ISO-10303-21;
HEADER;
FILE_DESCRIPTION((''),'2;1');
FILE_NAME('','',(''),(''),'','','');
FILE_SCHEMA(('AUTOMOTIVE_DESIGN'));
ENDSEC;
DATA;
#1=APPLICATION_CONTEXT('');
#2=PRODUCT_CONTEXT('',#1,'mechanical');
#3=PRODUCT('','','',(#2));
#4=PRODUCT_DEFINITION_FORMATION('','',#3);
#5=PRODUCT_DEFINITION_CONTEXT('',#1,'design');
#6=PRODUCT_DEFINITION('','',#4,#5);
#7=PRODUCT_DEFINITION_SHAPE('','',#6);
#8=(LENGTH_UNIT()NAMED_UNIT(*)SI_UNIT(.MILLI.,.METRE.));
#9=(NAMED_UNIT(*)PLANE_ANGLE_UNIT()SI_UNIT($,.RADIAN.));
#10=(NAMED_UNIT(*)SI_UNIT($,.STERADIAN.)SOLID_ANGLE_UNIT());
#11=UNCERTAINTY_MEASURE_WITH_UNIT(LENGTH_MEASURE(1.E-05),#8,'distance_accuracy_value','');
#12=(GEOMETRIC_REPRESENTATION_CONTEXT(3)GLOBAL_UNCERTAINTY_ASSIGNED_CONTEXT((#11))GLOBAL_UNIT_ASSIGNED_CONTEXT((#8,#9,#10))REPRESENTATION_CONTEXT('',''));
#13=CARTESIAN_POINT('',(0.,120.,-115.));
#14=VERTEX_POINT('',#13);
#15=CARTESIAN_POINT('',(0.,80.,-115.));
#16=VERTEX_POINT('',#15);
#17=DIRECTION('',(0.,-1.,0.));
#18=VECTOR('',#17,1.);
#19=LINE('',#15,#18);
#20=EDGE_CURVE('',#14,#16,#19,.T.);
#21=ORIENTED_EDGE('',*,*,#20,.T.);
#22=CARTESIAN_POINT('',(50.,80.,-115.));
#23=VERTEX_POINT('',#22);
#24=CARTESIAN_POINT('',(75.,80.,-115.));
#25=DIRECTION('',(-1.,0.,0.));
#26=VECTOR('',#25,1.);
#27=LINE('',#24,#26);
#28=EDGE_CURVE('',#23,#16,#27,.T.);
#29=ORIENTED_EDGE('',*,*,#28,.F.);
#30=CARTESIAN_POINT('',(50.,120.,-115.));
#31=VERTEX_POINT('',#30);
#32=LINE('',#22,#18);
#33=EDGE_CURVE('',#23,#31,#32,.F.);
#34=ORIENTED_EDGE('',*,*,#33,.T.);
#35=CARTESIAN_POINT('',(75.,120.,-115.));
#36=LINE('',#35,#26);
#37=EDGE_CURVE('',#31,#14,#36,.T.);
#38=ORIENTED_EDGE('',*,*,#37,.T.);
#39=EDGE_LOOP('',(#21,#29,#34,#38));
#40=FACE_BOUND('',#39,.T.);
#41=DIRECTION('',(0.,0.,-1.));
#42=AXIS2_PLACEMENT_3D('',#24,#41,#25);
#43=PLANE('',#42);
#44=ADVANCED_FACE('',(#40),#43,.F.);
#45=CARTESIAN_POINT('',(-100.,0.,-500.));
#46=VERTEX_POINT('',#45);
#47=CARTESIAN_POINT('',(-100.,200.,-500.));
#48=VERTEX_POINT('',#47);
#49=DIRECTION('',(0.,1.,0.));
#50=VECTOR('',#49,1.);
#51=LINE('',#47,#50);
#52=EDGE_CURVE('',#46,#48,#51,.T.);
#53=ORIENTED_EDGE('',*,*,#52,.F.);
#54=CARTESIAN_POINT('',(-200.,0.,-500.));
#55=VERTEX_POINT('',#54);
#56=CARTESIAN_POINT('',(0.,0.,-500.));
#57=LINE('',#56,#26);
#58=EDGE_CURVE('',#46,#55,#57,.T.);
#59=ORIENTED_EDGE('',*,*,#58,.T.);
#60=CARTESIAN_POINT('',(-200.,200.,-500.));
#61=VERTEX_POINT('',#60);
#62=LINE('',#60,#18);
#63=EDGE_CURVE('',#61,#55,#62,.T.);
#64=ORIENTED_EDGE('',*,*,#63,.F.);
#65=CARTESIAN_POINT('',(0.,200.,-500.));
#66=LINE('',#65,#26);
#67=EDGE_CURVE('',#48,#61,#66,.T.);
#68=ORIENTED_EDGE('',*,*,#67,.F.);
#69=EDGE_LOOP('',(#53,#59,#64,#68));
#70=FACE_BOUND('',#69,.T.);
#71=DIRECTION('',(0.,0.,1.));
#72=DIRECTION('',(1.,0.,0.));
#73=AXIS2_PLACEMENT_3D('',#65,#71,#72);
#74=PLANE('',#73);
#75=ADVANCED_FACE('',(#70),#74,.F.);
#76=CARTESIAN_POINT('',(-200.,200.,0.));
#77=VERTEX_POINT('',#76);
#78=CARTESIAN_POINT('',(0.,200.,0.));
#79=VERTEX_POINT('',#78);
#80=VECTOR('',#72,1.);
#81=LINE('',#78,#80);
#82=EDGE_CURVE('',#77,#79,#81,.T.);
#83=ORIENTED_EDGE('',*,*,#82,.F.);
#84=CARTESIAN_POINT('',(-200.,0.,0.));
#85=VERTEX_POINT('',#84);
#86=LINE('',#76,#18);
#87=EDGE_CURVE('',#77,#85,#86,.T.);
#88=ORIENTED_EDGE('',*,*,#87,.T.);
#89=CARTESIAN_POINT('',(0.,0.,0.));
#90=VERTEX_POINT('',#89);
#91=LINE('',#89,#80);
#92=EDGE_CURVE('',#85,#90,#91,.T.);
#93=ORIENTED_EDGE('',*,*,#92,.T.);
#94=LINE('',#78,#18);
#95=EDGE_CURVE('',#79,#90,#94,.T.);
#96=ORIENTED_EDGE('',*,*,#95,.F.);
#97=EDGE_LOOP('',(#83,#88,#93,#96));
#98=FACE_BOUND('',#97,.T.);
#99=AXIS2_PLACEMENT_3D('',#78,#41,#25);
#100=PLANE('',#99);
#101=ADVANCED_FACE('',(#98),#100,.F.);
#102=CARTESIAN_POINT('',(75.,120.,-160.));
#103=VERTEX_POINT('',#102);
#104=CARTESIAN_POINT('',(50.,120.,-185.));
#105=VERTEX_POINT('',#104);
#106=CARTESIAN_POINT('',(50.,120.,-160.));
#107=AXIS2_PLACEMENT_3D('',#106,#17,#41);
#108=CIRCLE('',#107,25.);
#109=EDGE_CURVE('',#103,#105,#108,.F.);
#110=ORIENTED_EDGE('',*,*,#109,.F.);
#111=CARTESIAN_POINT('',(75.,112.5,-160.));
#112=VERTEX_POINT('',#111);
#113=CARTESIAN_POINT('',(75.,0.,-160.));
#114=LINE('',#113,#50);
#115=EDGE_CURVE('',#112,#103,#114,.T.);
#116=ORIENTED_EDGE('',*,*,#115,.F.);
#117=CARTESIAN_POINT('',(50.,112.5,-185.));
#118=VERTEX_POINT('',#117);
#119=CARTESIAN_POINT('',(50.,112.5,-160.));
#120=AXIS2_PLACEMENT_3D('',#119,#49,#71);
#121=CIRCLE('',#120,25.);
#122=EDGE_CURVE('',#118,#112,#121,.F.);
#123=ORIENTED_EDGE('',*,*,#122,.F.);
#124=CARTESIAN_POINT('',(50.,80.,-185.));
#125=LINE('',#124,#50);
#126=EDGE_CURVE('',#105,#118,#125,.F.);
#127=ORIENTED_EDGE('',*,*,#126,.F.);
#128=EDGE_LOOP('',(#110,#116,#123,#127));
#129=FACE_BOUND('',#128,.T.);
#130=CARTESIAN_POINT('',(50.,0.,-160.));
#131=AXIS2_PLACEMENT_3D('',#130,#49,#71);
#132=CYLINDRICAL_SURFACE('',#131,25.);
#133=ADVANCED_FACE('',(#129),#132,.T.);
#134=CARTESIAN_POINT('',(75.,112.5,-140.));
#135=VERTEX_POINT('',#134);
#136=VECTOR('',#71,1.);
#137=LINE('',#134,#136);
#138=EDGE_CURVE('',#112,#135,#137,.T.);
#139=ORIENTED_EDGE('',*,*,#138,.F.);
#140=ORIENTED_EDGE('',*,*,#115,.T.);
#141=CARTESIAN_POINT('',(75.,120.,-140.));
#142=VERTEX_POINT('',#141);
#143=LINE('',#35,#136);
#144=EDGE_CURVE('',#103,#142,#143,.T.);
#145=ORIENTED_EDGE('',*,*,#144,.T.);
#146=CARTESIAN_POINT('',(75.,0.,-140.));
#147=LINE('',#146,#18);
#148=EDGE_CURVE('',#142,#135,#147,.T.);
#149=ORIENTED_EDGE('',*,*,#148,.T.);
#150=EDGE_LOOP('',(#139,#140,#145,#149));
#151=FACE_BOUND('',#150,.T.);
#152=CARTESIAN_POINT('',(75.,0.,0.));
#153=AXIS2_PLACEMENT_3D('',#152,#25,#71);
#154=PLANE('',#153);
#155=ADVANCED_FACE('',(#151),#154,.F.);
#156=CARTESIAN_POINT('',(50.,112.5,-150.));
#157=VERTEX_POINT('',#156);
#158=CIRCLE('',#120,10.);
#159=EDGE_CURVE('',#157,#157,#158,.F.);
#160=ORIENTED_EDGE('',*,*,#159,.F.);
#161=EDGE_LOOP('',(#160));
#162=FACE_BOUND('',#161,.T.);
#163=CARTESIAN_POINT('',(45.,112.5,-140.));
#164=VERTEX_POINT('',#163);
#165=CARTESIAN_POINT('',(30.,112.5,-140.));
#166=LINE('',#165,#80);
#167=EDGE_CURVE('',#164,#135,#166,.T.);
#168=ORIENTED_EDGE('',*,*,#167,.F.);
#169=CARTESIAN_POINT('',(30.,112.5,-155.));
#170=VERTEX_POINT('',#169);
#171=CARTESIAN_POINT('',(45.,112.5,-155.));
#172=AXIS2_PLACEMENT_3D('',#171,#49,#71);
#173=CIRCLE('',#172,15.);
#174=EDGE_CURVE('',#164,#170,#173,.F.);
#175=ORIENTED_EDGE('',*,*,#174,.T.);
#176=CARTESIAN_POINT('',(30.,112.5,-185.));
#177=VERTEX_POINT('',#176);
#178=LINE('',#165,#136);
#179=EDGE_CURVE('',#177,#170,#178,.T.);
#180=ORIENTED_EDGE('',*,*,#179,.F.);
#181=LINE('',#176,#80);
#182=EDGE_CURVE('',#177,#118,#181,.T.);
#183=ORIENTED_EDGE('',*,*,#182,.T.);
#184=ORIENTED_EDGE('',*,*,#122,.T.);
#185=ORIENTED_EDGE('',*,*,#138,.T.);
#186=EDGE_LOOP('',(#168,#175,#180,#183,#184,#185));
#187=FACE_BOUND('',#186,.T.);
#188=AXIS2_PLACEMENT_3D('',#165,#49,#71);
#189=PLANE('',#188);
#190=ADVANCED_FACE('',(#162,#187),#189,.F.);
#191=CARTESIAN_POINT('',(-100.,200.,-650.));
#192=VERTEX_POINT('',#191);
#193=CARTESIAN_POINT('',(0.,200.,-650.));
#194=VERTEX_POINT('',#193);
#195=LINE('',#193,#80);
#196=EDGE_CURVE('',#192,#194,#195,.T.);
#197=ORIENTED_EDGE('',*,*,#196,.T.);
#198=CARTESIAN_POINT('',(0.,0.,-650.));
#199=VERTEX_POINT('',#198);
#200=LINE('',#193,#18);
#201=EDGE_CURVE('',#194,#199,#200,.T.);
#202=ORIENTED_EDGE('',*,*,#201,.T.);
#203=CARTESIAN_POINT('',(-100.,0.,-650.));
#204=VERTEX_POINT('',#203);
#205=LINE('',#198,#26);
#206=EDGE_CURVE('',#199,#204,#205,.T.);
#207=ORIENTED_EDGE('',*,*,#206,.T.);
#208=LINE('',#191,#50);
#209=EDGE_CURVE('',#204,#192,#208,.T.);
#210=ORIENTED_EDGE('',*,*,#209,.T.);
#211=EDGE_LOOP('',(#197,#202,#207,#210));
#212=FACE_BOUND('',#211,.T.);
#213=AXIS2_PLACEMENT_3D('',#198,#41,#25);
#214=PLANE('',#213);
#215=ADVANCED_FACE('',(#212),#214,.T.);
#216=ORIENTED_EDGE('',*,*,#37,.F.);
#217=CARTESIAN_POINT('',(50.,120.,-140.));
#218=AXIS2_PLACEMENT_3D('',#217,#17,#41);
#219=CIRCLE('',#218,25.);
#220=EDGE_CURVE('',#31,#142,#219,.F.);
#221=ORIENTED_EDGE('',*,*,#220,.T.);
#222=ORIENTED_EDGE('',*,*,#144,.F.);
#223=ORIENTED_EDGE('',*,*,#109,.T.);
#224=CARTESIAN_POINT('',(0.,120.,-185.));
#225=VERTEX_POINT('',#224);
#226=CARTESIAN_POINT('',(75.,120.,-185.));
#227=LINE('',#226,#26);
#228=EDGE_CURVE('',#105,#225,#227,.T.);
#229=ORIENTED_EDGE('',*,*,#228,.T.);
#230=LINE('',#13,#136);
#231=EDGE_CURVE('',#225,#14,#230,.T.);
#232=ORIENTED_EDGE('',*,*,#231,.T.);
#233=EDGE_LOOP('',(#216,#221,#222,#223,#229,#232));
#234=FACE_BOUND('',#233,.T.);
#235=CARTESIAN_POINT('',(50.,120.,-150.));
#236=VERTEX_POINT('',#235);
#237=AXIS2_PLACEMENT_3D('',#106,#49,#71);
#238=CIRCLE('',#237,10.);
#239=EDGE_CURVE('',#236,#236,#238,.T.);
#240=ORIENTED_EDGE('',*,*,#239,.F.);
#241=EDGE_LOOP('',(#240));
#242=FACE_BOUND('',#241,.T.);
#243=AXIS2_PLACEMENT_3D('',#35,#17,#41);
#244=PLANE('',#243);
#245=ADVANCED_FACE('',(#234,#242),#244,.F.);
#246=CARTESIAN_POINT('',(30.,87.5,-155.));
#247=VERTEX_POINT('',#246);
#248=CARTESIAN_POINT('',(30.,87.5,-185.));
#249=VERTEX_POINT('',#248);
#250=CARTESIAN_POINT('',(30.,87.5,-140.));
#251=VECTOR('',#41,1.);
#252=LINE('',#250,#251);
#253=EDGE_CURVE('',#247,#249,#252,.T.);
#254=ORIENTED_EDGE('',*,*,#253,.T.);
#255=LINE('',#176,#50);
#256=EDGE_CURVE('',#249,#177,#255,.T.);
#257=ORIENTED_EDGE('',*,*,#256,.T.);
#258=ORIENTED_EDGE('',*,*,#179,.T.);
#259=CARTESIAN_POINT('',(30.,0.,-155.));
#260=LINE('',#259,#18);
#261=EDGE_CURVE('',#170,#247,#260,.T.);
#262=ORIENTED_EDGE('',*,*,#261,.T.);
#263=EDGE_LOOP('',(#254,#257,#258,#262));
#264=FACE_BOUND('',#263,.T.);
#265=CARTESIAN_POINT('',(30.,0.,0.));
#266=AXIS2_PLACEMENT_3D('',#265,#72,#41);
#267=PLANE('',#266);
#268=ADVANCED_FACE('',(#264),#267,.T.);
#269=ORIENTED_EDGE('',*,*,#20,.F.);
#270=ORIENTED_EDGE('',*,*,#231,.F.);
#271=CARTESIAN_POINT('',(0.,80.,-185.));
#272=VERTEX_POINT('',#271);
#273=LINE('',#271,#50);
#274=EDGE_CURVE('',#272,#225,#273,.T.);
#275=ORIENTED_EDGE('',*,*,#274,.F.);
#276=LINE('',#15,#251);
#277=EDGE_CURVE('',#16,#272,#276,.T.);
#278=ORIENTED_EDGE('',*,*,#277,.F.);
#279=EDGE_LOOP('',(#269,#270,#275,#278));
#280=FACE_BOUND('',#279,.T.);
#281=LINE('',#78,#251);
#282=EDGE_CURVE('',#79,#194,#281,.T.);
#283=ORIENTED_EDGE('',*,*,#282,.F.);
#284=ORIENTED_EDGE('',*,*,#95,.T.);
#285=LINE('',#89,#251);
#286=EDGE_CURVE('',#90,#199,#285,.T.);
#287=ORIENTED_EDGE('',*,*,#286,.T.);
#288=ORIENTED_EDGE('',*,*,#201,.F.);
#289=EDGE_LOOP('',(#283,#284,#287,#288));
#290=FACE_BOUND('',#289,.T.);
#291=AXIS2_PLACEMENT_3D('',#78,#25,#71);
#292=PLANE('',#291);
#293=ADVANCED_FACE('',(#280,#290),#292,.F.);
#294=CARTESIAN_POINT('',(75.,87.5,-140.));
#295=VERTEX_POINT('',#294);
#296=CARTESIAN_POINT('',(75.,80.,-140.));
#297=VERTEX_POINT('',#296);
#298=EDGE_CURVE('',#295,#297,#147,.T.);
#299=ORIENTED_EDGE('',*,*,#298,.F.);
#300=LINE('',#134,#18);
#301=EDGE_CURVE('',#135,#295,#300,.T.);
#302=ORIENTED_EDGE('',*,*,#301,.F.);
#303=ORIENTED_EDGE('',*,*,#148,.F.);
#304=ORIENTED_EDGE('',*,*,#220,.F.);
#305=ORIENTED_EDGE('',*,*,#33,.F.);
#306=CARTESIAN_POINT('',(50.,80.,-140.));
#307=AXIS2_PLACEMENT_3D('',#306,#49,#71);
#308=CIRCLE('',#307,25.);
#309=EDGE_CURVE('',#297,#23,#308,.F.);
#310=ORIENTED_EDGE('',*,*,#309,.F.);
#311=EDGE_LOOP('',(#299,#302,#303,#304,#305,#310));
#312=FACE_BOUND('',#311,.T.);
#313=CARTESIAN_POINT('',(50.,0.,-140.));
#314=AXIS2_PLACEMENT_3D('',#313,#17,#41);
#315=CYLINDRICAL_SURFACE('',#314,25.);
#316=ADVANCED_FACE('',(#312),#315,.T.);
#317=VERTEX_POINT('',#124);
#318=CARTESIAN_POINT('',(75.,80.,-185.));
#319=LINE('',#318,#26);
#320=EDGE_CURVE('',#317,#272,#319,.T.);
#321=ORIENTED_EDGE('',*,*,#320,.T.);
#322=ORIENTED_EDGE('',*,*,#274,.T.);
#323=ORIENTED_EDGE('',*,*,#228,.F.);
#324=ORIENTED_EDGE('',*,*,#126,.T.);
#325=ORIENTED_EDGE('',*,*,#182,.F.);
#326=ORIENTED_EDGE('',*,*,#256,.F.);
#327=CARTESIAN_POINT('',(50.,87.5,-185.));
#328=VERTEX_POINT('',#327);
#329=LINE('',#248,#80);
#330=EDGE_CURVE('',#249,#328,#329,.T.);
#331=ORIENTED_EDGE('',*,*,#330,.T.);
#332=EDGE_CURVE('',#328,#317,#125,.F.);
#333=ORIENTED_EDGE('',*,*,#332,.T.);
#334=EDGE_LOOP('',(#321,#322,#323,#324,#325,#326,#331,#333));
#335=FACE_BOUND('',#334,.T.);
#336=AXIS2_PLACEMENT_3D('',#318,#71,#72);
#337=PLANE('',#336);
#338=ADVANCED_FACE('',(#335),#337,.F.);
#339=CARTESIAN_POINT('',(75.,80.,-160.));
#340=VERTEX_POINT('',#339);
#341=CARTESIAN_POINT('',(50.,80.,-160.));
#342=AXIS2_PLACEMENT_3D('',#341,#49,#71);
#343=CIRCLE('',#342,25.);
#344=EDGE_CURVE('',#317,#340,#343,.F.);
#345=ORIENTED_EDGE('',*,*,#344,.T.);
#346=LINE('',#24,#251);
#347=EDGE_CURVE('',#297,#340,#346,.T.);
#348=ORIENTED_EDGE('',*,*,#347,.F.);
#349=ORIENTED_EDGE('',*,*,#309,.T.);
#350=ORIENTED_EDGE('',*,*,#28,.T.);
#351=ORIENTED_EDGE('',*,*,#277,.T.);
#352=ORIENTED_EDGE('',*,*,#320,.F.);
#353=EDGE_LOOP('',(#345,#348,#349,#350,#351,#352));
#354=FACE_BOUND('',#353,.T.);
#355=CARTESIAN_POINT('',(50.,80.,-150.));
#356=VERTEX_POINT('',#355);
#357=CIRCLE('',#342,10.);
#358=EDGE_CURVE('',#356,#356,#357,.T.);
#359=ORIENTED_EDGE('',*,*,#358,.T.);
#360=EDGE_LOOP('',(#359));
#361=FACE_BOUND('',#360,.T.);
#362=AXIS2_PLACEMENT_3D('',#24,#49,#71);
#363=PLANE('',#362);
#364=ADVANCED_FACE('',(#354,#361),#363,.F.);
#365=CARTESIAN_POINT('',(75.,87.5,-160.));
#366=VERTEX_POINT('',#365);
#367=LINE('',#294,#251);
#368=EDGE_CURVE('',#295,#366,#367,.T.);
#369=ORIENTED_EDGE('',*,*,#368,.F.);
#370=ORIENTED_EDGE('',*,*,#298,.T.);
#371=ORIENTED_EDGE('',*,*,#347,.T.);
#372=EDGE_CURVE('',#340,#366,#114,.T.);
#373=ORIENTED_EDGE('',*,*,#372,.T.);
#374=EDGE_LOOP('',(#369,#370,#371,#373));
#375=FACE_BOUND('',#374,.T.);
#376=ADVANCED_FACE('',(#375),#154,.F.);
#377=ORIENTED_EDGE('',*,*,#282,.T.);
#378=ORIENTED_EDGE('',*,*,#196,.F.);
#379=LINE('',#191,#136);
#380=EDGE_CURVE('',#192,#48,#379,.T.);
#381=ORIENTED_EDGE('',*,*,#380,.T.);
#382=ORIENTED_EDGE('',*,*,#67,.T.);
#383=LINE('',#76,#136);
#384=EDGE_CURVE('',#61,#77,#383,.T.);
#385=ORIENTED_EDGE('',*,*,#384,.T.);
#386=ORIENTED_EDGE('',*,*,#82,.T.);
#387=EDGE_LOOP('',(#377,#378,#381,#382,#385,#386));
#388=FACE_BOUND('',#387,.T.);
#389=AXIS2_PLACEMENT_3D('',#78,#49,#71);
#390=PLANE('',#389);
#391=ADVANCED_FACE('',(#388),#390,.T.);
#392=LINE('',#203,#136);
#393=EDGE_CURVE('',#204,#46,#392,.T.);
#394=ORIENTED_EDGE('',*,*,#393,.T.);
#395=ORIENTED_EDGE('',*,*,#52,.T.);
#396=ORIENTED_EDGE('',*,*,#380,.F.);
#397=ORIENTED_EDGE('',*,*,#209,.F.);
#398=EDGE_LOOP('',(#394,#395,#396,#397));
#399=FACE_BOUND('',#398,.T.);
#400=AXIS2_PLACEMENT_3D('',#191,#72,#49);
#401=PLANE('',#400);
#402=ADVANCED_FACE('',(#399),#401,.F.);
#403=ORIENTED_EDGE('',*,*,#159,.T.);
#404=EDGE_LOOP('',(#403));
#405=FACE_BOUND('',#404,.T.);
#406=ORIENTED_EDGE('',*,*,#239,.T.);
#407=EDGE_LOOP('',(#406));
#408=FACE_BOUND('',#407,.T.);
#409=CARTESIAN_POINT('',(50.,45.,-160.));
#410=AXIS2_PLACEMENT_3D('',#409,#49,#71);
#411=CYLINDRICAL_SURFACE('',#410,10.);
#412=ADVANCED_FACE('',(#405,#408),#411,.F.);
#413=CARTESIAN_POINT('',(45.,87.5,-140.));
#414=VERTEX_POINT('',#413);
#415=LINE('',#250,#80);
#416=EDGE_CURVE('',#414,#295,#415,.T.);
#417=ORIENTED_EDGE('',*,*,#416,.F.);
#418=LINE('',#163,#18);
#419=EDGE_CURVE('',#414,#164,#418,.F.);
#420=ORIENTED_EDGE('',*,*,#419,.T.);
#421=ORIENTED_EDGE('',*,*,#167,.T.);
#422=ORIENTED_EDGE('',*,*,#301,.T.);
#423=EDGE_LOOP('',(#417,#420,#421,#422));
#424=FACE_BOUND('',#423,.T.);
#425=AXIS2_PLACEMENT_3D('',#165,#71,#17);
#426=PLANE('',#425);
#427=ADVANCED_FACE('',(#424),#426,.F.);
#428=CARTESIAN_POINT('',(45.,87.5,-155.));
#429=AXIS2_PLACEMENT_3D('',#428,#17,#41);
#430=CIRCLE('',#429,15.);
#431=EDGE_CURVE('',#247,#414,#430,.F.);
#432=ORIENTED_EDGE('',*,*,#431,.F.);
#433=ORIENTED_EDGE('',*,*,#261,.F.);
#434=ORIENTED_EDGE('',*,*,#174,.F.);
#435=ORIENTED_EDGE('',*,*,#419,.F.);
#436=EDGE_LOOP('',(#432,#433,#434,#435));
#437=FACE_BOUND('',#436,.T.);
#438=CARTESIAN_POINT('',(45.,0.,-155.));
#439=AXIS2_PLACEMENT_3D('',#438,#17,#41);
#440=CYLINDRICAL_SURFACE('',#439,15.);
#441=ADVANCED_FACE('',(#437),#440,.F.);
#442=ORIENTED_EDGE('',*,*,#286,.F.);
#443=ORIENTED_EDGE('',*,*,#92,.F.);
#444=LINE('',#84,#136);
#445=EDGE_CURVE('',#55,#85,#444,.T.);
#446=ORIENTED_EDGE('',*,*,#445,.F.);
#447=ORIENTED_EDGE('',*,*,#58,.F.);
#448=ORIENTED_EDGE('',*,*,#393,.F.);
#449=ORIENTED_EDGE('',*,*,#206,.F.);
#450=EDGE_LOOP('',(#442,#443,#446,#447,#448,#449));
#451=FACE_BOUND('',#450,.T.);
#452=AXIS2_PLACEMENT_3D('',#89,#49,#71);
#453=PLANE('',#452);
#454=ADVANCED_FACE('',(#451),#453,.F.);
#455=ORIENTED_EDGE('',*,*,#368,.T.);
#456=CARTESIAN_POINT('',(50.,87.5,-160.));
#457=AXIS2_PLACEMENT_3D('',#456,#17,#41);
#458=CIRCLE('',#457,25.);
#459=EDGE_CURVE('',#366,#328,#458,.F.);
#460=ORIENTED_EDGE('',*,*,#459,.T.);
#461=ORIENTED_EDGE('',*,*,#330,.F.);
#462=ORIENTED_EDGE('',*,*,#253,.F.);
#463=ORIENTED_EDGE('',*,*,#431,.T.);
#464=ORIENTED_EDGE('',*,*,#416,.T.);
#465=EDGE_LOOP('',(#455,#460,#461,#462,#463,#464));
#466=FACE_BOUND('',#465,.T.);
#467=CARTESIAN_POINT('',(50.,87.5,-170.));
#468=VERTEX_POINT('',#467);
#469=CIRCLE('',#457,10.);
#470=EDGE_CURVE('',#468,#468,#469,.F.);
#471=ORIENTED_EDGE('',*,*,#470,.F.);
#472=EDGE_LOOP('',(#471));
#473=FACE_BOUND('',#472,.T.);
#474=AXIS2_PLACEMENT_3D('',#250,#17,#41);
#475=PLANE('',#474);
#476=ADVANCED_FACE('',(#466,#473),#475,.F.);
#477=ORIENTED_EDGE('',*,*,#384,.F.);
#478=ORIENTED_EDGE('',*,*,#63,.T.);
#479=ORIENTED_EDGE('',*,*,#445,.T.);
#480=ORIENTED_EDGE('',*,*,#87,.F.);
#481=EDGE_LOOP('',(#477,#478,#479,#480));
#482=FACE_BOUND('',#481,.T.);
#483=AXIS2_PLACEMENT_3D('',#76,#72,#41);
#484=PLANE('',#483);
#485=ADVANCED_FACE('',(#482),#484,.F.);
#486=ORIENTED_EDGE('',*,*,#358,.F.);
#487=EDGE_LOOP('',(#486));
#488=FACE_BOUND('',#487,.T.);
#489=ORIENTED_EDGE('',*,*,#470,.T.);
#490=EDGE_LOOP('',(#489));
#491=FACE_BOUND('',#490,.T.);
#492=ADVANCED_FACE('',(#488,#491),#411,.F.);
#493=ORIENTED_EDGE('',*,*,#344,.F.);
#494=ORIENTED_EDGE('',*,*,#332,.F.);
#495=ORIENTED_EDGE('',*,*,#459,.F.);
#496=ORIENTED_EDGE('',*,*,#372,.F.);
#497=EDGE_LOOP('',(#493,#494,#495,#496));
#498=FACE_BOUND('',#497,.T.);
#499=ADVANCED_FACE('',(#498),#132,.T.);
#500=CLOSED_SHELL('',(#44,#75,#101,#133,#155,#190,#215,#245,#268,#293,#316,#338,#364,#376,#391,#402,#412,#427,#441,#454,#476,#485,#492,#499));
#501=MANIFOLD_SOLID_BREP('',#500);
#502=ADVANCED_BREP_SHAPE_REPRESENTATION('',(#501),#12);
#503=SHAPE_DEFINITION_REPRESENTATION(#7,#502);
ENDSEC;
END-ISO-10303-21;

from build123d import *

# Parameters (mm, degrees)
SKETCH1_W           = 200
SKETCH1_H           = 500
BOSS_EXTRUDE1_DEPTH = 200
SKETCH2_W           = 70
SKETCH2_H           = 40
BOSS_EXTRUDE2_DEPTH = 75
FILLET1_R           = 25
SKETCH3_R           = 10
CUT_EXTRUDE1_DEPTH  = 75
SKETCH4_W           = 100
SKETCH4_H           = 200
BOSS_EXTRUDE3_DEPTH = 150
SKETCH6_W           = 45
SKETCH6_H           = 25
CUT_EXTRUDE2_DEPTH  = 45
FILLET2_R           = 15


with BuildPart() as part:
    # Sketch1 → Boss-Extrude1 (new body)
    with BuildSketch(Plane(origin=(0, 0, 0), x_dir=(1, 0, 0), z_dir=(0, 1, 0))):
        with Locations((-100, 250)):
            Rectangle(SKETCH1_W, SKETCH1_H)
    extrude(amount=BOSS_EXTRUDE1_DEPTH)

    # Sketch2 → Boss-Extrude2 (add)
    with BuildSketch(Plane(origin=(0, 0, 0), x_dir=(0, 0, -1), z_dir=(1, 0, 0))):
        with Locations((150, 100)):
            Rectangle(SKETCH2_W, SKETCH2_H)
    extrude(amount=BOSS_EXTRUDE2_DEPTH)

    # Fillet1
    fillet1_edges = [part.edges().sort_by_distance(p)[0] for p in [
        (75, 100, -185),
        (75, 100, -115),
    ]]
    fillet(fillet1_edges, radius=FILLET1_R)

    # Sketch3 → Cut-Extrude1 (cut)
    with BuildSketch(Plane(origin=(0, 120, 0), x_dir=(1, 0, 0), z_dir=(0, 1, 0))):
        with Locations(Location((50, 160, 0), (0, 0, 270))):
            Circle(SKETCH3_R)
    extrude(amount=-CUT_EXTRUDE1_DEPTH, mode=Mode.SUBTRACT)

    # Sketch4 → Boss-Extrude3 (add)
    with BuildSketch(Plane(origin=(0, 0, -500), x_dir=(-1, 0, 0), z_dir=(0, 0, -1))):
        with Locations((50, 100)):
            Rectangle(SKETCH4_W, SKETCH4_H)
    extrude(amount=BOSS_EXTRUDE3_DEPTH)

    # Sketch6 → Cut-Extrude2 (cut)
    with BuildSketch(Plane(origin=(75, 0, 0), x_dir=(0, 0, -1), z_dir=(1, 0, 0))):
        with Locations((162.5, 100)):
            Rectangle(SKETCH6_W, SKETCH6_H)
    extrude(amount=-CUT_EXTRUDE2_DEPTH, mode=Mode.SUBTRACT)

    # Fillet2
    fillet2_edges = [part.edges().sort_by_distance(p)[0] for p in [
        (30, 100, -140),
    ]]
    fillet(fillet2_edges, radius=FILLET2_R)


solid = part.part
